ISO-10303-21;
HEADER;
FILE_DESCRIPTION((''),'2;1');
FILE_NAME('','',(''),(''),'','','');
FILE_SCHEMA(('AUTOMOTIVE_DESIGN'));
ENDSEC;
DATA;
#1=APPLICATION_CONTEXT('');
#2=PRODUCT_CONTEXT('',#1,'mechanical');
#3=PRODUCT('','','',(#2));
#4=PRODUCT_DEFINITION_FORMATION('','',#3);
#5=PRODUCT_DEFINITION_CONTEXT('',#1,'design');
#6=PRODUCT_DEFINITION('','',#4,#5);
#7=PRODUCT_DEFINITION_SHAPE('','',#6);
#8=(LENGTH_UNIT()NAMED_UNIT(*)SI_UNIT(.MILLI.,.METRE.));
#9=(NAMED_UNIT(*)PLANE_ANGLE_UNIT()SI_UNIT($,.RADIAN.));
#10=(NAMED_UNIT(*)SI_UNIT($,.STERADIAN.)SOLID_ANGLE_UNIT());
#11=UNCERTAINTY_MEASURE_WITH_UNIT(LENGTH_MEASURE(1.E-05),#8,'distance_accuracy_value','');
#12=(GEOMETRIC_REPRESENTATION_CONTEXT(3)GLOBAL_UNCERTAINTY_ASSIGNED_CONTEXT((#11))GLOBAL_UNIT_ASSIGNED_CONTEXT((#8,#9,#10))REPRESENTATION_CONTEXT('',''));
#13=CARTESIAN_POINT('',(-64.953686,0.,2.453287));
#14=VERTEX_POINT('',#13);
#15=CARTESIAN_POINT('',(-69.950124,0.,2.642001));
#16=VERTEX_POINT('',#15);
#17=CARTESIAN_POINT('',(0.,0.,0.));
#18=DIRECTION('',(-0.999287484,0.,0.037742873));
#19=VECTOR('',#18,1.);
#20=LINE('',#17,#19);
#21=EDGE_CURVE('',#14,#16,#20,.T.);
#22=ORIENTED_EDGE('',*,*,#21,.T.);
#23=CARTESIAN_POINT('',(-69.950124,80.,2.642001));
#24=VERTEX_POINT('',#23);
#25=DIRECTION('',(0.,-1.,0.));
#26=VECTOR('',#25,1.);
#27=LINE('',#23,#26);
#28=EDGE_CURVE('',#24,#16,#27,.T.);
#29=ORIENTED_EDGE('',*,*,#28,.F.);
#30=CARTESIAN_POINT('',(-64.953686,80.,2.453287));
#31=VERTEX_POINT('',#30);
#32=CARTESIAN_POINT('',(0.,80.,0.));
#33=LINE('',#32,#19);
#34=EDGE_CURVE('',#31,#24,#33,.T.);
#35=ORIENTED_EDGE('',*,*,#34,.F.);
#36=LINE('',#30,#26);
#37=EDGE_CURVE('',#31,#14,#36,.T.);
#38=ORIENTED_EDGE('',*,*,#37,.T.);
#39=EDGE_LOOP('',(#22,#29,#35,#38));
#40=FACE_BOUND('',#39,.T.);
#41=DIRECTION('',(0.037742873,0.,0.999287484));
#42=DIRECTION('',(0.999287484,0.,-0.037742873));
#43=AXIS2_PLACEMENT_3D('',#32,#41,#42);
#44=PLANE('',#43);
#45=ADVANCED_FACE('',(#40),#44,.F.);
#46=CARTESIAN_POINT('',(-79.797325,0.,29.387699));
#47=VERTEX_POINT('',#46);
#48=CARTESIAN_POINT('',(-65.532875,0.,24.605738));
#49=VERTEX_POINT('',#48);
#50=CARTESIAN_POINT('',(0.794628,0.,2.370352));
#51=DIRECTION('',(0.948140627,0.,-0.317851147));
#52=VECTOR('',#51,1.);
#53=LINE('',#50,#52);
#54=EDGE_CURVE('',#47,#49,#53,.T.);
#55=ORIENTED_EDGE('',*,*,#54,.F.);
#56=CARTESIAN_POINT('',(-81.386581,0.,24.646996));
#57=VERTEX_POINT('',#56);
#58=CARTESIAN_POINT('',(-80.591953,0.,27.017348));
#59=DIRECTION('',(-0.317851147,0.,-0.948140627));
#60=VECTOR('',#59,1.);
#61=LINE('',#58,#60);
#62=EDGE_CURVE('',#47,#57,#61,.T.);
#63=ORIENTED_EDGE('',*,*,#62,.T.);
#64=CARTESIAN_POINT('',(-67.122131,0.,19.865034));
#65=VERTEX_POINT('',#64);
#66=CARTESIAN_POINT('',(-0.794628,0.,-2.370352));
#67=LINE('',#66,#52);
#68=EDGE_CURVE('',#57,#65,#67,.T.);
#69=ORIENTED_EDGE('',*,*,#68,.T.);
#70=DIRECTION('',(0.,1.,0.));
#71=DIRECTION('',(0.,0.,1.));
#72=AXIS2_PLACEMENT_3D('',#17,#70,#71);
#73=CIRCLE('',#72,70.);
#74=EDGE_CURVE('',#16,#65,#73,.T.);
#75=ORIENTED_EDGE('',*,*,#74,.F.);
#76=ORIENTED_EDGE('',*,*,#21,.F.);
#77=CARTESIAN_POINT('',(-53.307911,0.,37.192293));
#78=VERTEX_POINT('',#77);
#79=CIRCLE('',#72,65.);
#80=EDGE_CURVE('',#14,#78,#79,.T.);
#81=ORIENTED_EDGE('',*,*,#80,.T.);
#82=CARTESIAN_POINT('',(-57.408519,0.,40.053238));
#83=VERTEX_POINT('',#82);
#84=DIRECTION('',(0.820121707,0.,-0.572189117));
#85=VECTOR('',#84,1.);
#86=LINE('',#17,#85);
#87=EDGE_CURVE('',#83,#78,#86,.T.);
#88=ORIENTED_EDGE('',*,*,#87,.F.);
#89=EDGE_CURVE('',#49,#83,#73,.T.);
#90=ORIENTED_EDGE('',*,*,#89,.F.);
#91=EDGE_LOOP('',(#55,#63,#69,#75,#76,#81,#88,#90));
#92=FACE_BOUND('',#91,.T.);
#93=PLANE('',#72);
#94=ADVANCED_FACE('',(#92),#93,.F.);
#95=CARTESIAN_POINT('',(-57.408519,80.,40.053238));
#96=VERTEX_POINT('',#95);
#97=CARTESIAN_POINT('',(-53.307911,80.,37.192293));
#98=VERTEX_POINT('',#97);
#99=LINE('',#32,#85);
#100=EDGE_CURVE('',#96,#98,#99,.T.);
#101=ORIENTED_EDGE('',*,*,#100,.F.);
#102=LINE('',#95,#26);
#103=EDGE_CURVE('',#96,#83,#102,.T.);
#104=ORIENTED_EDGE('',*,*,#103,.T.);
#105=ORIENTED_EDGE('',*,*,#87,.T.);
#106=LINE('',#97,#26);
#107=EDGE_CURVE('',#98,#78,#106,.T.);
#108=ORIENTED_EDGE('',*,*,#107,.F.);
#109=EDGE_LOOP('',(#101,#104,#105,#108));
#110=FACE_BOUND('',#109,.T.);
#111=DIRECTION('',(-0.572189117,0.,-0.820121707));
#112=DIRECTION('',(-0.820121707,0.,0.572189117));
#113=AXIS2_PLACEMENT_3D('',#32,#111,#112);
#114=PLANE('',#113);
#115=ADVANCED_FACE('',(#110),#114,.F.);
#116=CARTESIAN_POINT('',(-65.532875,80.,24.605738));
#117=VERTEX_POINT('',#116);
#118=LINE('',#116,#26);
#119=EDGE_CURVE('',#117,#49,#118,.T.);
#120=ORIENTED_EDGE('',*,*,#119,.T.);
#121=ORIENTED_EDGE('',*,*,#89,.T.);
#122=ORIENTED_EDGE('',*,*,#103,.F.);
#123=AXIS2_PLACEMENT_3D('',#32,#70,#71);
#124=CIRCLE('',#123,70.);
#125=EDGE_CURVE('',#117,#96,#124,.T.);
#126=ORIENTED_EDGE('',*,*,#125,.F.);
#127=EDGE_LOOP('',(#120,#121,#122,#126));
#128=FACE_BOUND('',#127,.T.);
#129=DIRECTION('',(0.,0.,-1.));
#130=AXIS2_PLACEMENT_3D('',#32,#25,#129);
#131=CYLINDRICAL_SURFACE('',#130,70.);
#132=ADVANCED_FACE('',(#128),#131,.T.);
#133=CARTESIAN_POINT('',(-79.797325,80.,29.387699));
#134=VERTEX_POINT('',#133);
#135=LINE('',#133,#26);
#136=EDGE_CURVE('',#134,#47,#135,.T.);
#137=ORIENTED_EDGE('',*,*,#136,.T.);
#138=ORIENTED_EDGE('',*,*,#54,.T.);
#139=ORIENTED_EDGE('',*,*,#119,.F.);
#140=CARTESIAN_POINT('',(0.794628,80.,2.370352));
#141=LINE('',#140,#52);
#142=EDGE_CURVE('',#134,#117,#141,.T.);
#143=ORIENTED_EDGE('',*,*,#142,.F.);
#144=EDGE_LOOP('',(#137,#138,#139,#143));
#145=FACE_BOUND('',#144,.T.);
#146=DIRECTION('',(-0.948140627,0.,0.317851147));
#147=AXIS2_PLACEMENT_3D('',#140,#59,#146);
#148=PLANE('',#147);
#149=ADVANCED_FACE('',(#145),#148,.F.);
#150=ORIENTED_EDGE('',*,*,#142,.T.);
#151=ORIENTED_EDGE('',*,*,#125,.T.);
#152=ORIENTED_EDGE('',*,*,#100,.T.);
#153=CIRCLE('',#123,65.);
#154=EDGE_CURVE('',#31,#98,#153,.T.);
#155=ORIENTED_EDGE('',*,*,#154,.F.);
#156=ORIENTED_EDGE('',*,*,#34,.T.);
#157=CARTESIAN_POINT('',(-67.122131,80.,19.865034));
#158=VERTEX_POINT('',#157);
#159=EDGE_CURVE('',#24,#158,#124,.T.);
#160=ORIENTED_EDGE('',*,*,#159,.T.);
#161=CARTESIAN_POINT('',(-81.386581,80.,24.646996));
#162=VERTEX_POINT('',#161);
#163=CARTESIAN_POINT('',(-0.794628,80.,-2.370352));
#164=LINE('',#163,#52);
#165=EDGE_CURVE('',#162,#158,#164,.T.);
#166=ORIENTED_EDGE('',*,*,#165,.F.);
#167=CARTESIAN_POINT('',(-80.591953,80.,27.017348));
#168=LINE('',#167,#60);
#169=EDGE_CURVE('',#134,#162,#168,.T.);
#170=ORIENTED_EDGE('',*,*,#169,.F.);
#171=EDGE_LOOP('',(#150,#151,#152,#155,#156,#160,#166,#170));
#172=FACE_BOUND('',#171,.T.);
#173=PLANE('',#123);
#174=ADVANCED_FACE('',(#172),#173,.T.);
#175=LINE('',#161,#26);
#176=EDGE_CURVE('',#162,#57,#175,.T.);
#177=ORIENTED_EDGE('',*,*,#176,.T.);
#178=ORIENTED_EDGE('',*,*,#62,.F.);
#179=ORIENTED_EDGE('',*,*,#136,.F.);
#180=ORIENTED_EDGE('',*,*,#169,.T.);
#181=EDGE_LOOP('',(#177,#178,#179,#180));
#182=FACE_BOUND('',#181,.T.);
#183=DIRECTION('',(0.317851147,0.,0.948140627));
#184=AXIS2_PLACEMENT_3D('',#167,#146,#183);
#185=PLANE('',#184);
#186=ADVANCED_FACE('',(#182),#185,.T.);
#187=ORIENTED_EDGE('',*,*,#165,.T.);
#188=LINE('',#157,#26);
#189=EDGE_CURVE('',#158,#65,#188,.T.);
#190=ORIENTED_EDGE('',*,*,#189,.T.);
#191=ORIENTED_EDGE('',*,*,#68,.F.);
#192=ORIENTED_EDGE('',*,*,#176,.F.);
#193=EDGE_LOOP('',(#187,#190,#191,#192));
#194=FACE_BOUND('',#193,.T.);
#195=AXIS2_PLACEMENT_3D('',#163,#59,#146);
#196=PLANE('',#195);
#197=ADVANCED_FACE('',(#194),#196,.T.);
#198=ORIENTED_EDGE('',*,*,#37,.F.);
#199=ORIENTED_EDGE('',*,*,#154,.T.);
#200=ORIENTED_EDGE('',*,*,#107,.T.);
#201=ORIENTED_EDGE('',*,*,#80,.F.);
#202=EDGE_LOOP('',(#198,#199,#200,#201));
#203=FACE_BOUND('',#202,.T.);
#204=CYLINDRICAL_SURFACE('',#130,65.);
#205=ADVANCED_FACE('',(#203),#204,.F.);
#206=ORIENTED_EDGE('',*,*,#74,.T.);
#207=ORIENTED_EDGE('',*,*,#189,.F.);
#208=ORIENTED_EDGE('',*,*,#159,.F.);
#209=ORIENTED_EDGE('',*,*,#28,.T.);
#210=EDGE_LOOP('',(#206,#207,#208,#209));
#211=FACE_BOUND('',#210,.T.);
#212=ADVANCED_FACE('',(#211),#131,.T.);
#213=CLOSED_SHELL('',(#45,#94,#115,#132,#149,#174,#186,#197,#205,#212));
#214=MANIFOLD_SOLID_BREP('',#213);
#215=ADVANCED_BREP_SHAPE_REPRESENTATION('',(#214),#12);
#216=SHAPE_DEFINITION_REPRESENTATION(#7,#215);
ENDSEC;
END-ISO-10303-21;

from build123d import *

# Parameters (mm, degrees)
BOSS_EXTRUDE1_DEPTH = 80


with BuildPart() as part:
    # Sketch1 → Boss-Extrude1 (new body)
    with BuildSketch(Plane(origin=(0, 0, 0), x_dir=(1, 0, 0), z_dir=(0, 1, 0))):
        with BuildLine():
            Line((-79.797325403, -29.387699101), (-65.53287479, -24.605737578))
            ThreePointArc((-65.53287479, -24.605737578), (-61.954038815, -32.583693383), (-57.408519486, -40.053238201))
            Line((-57.408519486, -40.053238201), (-53.307910951, -37.192292615))
            ThreePointArc((-53.307910951, -37.192292615), (-61.629140737, -20.660324585), (-64.953686456, -2.453286719))
            Line((-64.953686456, -2.453286719), (-69.950123876, -2.642001082))
            ThreePointArc((-69.950123876, -2.642001082), (-69.075024078, -11.342003731), (-67.122130527, -19.865034445))
            Line((-67.122130527, -19.865034445), (-81.386581141, -24.646995968))
            Line((-81.386581141, -24.646995968), (-79.797325403, -29.387699101))
        make_face()
    extrude(amount=BOSS_EXTRUDE1_DEPTH)


solid = part.part
